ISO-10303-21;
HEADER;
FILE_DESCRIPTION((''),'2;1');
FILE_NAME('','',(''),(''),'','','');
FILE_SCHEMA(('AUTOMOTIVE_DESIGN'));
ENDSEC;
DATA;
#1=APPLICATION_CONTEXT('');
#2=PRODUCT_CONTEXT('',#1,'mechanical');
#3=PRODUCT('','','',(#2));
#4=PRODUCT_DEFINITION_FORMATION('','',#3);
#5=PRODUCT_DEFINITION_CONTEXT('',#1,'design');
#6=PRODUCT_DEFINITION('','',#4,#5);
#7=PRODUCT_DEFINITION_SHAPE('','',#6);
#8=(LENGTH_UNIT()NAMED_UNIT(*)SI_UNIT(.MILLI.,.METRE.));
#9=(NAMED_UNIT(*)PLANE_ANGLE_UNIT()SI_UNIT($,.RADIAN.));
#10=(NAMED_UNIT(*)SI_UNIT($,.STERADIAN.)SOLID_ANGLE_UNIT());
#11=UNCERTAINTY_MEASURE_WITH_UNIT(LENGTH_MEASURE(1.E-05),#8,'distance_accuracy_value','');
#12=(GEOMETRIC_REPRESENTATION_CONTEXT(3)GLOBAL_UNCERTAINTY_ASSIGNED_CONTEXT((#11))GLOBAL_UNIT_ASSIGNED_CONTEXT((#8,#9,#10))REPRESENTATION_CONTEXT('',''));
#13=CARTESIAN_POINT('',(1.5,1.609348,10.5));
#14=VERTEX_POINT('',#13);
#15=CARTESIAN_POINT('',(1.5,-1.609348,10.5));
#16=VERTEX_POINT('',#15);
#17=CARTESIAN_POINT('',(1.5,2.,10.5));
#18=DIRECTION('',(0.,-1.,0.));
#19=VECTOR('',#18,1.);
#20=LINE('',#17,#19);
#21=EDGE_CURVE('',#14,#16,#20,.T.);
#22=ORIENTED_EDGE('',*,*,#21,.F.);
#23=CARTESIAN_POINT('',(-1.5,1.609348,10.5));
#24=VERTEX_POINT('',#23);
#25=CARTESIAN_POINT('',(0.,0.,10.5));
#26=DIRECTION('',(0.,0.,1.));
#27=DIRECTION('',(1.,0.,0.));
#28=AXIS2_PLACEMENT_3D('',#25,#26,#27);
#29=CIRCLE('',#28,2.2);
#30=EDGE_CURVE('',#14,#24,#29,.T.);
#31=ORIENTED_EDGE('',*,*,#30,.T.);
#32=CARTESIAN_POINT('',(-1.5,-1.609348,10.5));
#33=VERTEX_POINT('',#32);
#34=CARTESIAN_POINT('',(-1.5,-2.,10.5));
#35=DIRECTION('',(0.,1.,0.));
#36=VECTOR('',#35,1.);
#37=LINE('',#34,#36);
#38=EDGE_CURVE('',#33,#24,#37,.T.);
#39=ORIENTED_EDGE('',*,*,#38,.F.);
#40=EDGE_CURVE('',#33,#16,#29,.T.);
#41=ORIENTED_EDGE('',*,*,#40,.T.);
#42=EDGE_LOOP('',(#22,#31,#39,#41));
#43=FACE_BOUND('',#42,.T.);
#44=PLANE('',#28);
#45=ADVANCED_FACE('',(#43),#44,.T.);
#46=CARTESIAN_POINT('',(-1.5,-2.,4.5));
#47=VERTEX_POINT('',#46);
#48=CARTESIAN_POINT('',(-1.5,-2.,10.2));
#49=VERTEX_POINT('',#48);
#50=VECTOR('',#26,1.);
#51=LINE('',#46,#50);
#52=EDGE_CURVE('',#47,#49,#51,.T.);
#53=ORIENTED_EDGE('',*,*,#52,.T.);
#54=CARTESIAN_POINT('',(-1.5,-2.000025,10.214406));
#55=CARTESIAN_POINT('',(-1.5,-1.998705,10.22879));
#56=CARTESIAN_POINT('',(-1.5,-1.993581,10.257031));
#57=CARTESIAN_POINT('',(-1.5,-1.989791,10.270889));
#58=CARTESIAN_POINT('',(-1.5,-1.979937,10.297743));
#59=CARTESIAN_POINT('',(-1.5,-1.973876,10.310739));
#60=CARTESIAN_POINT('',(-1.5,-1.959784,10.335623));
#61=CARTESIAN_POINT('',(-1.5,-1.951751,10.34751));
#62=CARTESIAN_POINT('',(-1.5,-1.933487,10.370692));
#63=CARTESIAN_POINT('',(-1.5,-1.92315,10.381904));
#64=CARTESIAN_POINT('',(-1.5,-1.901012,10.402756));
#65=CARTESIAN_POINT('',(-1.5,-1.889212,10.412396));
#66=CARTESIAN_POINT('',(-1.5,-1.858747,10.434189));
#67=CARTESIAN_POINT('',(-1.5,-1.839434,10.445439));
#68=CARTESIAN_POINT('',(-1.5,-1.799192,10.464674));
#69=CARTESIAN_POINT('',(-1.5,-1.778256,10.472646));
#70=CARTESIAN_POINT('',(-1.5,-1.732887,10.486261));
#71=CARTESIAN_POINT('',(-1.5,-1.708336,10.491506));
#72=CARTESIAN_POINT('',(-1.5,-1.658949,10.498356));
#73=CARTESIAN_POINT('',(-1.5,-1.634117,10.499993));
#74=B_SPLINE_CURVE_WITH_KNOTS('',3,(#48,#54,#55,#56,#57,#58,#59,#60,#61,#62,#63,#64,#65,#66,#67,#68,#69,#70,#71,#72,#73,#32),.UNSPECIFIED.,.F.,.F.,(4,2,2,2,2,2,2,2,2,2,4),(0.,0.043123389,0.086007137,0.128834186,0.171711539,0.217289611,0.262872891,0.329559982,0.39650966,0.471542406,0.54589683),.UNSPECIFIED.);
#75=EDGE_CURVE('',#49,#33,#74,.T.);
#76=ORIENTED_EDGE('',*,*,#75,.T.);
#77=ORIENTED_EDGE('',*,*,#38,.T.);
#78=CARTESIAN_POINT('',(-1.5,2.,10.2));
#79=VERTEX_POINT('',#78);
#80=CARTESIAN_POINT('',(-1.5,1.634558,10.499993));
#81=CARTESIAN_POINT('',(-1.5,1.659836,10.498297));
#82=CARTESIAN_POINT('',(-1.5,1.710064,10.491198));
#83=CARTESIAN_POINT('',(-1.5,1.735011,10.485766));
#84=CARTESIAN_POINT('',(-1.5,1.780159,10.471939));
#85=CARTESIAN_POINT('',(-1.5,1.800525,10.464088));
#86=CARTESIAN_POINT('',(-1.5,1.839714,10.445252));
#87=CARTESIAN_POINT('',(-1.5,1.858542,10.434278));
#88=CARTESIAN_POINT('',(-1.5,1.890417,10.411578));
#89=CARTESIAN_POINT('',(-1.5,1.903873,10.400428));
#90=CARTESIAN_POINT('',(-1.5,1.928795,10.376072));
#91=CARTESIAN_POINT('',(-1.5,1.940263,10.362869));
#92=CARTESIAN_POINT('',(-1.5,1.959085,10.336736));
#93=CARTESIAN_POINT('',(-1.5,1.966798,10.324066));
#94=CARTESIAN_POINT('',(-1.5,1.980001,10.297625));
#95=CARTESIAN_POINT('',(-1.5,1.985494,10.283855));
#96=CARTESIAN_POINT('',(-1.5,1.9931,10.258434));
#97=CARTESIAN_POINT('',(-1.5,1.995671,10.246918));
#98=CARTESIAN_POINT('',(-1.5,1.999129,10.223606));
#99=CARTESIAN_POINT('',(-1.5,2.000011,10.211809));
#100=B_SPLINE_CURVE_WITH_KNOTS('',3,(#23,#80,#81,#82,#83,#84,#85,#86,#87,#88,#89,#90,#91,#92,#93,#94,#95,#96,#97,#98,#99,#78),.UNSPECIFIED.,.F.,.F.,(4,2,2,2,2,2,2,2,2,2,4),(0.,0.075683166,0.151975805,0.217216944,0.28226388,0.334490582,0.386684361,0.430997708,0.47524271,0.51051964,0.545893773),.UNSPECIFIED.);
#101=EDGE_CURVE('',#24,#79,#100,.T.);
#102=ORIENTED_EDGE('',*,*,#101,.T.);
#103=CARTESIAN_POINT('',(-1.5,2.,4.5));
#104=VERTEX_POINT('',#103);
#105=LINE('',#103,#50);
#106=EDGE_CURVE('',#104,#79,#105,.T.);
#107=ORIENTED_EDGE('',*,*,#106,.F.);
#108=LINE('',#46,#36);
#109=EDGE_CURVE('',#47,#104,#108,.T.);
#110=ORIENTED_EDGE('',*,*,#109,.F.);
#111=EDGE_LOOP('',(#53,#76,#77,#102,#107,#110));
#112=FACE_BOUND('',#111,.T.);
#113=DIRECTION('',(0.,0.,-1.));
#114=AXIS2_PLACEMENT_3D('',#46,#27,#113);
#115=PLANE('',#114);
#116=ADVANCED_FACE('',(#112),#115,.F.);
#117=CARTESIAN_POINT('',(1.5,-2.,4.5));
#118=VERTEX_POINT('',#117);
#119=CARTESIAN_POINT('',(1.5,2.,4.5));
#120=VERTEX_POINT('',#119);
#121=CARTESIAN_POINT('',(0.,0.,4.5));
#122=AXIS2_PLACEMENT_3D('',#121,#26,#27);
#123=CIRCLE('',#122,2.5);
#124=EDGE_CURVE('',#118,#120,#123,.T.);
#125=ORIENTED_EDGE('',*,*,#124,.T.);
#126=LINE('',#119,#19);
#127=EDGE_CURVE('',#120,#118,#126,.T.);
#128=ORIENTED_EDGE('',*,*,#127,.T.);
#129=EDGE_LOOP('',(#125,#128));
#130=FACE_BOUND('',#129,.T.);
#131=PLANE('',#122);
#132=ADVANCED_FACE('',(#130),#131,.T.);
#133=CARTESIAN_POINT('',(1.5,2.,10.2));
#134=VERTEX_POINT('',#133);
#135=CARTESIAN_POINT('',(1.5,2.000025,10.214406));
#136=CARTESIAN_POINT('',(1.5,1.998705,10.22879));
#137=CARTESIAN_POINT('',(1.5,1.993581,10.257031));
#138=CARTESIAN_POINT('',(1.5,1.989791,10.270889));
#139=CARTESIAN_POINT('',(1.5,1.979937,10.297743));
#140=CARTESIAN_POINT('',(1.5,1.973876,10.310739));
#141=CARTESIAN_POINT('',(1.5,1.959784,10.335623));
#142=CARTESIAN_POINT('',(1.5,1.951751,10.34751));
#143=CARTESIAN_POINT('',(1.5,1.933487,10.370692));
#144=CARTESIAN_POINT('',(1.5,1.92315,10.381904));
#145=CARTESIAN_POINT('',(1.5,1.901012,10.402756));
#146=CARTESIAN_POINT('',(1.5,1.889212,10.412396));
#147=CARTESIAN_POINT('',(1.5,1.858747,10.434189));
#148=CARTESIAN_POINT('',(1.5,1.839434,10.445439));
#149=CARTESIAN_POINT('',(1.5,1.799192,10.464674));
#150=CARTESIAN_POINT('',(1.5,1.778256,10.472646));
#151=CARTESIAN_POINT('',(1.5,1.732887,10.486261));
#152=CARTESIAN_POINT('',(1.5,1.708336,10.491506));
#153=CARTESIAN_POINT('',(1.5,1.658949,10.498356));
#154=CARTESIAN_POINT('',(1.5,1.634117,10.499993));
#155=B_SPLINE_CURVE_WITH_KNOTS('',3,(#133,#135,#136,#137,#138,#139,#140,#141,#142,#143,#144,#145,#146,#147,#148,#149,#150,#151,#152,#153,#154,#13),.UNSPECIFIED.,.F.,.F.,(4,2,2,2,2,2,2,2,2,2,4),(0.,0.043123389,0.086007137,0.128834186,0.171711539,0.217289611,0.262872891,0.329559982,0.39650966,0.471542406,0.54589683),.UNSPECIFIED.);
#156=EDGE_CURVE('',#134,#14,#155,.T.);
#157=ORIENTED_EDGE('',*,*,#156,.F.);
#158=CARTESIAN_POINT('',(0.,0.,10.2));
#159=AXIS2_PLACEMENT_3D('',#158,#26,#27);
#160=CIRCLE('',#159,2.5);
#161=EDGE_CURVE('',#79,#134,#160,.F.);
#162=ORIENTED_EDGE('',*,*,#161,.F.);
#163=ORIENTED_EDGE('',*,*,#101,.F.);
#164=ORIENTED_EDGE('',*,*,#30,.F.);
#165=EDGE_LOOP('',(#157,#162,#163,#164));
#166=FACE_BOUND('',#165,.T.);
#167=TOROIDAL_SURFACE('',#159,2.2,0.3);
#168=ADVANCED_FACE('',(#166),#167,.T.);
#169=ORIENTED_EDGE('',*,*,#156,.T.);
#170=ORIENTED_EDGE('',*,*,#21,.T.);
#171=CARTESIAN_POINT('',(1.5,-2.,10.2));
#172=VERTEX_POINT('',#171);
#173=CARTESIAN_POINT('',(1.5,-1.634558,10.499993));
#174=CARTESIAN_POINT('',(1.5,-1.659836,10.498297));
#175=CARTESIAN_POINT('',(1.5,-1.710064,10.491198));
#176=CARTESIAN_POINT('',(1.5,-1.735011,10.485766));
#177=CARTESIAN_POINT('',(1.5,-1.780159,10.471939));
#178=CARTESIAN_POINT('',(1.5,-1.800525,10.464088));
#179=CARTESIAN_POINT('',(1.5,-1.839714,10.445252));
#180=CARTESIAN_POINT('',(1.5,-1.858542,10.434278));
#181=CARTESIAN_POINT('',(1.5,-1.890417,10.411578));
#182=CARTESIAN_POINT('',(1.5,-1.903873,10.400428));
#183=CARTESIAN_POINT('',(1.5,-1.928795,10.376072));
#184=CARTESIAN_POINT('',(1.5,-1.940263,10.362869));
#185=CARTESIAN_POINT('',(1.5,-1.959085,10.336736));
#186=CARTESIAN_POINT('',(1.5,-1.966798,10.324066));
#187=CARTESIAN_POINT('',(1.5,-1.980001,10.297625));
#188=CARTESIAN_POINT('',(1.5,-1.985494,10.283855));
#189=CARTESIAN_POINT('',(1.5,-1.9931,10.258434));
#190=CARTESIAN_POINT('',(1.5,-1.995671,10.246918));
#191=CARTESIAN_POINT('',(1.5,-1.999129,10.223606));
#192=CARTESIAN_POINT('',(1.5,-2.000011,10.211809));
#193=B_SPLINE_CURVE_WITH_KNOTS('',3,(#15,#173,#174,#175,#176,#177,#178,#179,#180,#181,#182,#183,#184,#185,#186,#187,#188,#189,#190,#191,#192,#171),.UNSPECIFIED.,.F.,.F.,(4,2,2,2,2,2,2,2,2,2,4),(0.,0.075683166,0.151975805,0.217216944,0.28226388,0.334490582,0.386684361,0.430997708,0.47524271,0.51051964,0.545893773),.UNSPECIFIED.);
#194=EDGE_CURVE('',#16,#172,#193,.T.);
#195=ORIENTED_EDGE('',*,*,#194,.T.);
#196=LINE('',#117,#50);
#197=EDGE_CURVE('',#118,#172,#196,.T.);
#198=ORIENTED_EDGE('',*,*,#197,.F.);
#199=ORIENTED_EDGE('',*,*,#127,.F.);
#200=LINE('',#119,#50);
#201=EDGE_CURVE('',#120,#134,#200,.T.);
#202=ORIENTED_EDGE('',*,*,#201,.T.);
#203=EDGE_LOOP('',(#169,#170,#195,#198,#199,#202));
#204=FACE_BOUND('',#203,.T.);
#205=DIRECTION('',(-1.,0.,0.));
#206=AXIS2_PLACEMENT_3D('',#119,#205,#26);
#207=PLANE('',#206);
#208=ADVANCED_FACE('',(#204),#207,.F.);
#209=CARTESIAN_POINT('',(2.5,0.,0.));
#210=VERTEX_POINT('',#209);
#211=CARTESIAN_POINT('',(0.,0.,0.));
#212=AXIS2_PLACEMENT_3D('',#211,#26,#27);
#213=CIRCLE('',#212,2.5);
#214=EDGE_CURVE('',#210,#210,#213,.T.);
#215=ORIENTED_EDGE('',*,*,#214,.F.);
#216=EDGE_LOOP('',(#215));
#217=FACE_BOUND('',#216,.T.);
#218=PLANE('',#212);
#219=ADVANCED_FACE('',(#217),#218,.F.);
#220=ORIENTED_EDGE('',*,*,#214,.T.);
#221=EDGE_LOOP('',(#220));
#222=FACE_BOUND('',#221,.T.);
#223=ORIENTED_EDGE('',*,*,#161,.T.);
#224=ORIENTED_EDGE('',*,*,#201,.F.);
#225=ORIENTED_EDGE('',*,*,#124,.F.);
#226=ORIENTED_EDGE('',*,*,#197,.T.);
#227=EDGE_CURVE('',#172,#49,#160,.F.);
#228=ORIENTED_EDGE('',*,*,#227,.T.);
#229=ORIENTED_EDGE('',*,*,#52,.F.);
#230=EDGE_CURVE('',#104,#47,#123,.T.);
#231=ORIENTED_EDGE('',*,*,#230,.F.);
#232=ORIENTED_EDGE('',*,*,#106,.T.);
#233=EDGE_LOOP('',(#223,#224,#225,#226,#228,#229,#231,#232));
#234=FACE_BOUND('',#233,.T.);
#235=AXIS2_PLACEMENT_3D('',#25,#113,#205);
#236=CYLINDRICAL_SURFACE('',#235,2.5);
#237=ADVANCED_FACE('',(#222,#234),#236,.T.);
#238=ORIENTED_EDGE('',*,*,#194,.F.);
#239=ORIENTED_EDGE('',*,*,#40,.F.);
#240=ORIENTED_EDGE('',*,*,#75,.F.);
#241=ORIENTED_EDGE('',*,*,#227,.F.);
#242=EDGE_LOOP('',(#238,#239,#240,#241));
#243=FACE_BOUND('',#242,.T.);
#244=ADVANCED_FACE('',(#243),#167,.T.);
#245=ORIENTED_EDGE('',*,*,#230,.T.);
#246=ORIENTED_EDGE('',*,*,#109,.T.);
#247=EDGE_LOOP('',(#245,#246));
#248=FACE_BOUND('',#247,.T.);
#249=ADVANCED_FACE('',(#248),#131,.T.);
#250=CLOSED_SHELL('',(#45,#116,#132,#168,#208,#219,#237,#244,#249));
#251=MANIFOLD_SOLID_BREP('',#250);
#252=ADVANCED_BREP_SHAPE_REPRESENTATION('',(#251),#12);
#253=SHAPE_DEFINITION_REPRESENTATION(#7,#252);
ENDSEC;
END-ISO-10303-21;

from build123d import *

# Parameters (mm, degrees)
ESQUISSE1_R             = 2.5
BOSS_EXTRU_1_DEPTH      = 10.5
ENL_V_START             = -6
ENL_V_MAT_EXTRU_2_DEPTH = 6
CONG_1_R                = 0.3


with BuildPart() as part:
    # Esquisse1 → Boss.-Extru.1 (new body)
    with BuildSketch(Plane.XY):
        with Locations(Location((0, 0, 0), (0, 0, 180))):
            Circle(ESQUISSE1_R)
    extrude(amount=BOSS_EXTRU_1_DEPTH)

    # Esquisse3 → Enlèv. mat.-Extru.2 (cut)
    with BuildSketch(Plane.XY.offset(10.5).offset(ENL_V_START)):
        with BuildLine():
            Line((1.5, 2), (1.5, -2))
            ThreePointArc((1.5, -2), (2.5, 0), (1.5, 2))
        make_face()
        with BuildLine():
            Line((-1.5, -2), (-1.5, 2))
            ThreePointArc((-1.5, 2), (-2.5, 0), (-1.5, -2))
        make_face()
    extrude(amount=ENL_V_MAT_EXTRU_2_DEPTH, mode=Mode.SUBTRACT)

    # Congé1
    cong_1_edges = [part.edges().sort_by_distance(p)[0] for p in [
        (0, 2.5, 10.5),
        (0, -2.5, 10.5),
    ]]
    fillet(cong_1_edges, radius=CONG_1_R)


solid = part.part
